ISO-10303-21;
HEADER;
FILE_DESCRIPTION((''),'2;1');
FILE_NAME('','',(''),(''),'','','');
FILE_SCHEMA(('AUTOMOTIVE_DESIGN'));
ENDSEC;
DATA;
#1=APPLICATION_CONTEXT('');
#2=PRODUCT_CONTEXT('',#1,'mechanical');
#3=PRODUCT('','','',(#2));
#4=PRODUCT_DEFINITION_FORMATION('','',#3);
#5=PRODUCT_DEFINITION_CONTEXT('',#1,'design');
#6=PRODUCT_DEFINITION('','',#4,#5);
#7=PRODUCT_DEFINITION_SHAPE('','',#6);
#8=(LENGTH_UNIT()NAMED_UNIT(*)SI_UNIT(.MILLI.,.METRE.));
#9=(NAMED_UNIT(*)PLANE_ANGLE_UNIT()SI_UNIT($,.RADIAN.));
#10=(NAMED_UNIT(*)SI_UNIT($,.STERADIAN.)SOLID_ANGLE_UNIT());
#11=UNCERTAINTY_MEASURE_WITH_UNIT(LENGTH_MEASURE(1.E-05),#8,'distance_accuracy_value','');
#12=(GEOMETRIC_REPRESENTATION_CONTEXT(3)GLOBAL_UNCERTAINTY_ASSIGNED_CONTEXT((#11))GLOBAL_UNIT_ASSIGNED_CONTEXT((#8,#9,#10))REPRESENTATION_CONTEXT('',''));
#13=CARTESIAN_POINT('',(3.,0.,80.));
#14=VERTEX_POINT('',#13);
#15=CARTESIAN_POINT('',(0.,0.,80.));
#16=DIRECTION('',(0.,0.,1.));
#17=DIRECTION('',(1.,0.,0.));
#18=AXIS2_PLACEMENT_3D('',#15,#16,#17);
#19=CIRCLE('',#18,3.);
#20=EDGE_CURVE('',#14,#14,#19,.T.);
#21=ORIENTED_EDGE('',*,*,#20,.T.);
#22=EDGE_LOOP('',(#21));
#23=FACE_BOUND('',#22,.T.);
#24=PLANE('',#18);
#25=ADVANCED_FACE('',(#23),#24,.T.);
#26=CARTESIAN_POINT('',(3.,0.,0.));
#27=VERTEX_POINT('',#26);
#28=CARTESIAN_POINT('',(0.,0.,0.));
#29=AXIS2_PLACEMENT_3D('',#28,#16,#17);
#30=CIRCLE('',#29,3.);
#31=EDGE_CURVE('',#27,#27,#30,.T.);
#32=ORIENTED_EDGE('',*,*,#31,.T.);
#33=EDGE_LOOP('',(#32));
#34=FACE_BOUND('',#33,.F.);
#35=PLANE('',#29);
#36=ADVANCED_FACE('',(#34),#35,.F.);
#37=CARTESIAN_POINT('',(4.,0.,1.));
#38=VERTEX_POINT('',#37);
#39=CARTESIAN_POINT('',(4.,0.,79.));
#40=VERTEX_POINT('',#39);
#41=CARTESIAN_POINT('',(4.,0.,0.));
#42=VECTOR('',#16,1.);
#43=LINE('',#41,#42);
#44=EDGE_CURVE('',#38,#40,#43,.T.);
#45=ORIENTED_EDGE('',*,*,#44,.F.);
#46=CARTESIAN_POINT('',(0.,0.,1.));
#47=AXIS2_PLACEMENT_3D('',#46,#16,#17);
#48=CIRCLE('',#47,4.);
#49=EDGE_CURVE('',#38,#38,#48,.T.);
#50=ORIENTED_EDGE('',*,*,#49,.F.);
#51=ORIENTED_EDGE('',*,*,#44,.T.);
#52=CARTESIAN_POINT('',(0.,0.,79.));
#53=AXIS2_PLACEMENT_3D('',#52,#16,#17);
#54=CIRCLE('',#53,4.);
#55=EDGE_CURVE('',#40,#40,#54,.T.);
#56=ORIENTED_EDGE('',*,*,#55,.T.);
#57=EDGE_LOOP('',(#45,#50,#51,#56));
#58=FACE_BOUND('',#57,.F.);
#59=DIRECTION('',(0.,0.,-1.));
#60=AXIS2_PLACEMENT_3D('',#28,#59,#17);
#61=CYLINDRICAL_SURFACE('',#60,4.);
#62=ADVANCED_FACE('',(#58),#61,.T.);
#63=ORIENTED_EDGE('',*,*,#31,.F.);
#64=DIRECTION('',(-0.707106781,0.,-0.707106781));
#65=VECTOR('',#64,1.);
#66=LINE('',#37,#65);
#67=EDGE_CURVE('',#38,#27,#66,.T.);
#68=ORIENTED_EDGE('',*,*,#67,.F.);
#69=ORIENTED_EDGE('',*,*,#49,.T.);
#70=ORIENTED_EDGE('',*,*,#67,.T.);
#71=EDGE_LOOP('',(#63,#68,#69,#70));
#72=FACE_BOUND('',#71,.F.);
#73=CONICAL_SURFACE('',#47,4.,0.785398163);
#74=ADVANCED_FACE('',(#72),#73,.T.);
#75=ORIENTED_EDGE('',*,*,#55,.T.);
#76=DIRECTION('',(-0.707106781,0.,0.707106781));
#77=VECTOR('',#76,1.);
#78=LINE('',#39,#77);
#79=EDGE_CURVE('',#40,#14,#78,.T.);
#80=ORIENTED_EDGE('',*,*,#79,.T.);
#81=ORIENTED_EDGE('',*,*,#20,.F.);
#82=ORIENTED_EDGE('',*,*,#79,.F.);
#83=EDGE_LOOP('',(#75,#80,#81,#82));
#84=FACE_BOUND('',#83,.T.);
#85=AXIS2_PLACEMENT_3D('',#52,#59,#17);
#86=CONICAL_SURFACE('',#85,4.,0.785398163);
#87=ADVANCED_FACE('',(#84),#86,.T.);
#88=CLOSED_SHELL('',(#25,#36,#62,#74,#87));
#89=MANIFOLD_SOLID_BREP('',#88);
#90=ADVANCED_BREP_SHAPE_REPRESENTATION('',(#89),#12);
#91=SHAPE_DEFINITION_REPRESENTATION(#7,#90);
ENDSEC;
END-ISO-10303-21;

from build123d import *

# Parameters (mm, degrees)
ESQUISSE2_R      = 4
EXTRUSION1_DEPTH = 80
CHANFREIN1_SIZE  = 1


with BuildPart() as part:
    # Esquisse2 → Extrusion1 (new body)
    with BuildSketch(Plane.XY):
        Circle(ESQUISSE2_R)
    extrude(amount=EXTRUSION1_DEPTH)

    # Chanfrein1
    chanfrein1_edges = [part.edges().sort_by_distance(p)[0] for p in [
        (-4, 0, 0),
        (-4, 0, 80),
    ]]
    chamfer(chanfrein1_edges, length=CHANFREIN1_SIZE)


solid = part.part
